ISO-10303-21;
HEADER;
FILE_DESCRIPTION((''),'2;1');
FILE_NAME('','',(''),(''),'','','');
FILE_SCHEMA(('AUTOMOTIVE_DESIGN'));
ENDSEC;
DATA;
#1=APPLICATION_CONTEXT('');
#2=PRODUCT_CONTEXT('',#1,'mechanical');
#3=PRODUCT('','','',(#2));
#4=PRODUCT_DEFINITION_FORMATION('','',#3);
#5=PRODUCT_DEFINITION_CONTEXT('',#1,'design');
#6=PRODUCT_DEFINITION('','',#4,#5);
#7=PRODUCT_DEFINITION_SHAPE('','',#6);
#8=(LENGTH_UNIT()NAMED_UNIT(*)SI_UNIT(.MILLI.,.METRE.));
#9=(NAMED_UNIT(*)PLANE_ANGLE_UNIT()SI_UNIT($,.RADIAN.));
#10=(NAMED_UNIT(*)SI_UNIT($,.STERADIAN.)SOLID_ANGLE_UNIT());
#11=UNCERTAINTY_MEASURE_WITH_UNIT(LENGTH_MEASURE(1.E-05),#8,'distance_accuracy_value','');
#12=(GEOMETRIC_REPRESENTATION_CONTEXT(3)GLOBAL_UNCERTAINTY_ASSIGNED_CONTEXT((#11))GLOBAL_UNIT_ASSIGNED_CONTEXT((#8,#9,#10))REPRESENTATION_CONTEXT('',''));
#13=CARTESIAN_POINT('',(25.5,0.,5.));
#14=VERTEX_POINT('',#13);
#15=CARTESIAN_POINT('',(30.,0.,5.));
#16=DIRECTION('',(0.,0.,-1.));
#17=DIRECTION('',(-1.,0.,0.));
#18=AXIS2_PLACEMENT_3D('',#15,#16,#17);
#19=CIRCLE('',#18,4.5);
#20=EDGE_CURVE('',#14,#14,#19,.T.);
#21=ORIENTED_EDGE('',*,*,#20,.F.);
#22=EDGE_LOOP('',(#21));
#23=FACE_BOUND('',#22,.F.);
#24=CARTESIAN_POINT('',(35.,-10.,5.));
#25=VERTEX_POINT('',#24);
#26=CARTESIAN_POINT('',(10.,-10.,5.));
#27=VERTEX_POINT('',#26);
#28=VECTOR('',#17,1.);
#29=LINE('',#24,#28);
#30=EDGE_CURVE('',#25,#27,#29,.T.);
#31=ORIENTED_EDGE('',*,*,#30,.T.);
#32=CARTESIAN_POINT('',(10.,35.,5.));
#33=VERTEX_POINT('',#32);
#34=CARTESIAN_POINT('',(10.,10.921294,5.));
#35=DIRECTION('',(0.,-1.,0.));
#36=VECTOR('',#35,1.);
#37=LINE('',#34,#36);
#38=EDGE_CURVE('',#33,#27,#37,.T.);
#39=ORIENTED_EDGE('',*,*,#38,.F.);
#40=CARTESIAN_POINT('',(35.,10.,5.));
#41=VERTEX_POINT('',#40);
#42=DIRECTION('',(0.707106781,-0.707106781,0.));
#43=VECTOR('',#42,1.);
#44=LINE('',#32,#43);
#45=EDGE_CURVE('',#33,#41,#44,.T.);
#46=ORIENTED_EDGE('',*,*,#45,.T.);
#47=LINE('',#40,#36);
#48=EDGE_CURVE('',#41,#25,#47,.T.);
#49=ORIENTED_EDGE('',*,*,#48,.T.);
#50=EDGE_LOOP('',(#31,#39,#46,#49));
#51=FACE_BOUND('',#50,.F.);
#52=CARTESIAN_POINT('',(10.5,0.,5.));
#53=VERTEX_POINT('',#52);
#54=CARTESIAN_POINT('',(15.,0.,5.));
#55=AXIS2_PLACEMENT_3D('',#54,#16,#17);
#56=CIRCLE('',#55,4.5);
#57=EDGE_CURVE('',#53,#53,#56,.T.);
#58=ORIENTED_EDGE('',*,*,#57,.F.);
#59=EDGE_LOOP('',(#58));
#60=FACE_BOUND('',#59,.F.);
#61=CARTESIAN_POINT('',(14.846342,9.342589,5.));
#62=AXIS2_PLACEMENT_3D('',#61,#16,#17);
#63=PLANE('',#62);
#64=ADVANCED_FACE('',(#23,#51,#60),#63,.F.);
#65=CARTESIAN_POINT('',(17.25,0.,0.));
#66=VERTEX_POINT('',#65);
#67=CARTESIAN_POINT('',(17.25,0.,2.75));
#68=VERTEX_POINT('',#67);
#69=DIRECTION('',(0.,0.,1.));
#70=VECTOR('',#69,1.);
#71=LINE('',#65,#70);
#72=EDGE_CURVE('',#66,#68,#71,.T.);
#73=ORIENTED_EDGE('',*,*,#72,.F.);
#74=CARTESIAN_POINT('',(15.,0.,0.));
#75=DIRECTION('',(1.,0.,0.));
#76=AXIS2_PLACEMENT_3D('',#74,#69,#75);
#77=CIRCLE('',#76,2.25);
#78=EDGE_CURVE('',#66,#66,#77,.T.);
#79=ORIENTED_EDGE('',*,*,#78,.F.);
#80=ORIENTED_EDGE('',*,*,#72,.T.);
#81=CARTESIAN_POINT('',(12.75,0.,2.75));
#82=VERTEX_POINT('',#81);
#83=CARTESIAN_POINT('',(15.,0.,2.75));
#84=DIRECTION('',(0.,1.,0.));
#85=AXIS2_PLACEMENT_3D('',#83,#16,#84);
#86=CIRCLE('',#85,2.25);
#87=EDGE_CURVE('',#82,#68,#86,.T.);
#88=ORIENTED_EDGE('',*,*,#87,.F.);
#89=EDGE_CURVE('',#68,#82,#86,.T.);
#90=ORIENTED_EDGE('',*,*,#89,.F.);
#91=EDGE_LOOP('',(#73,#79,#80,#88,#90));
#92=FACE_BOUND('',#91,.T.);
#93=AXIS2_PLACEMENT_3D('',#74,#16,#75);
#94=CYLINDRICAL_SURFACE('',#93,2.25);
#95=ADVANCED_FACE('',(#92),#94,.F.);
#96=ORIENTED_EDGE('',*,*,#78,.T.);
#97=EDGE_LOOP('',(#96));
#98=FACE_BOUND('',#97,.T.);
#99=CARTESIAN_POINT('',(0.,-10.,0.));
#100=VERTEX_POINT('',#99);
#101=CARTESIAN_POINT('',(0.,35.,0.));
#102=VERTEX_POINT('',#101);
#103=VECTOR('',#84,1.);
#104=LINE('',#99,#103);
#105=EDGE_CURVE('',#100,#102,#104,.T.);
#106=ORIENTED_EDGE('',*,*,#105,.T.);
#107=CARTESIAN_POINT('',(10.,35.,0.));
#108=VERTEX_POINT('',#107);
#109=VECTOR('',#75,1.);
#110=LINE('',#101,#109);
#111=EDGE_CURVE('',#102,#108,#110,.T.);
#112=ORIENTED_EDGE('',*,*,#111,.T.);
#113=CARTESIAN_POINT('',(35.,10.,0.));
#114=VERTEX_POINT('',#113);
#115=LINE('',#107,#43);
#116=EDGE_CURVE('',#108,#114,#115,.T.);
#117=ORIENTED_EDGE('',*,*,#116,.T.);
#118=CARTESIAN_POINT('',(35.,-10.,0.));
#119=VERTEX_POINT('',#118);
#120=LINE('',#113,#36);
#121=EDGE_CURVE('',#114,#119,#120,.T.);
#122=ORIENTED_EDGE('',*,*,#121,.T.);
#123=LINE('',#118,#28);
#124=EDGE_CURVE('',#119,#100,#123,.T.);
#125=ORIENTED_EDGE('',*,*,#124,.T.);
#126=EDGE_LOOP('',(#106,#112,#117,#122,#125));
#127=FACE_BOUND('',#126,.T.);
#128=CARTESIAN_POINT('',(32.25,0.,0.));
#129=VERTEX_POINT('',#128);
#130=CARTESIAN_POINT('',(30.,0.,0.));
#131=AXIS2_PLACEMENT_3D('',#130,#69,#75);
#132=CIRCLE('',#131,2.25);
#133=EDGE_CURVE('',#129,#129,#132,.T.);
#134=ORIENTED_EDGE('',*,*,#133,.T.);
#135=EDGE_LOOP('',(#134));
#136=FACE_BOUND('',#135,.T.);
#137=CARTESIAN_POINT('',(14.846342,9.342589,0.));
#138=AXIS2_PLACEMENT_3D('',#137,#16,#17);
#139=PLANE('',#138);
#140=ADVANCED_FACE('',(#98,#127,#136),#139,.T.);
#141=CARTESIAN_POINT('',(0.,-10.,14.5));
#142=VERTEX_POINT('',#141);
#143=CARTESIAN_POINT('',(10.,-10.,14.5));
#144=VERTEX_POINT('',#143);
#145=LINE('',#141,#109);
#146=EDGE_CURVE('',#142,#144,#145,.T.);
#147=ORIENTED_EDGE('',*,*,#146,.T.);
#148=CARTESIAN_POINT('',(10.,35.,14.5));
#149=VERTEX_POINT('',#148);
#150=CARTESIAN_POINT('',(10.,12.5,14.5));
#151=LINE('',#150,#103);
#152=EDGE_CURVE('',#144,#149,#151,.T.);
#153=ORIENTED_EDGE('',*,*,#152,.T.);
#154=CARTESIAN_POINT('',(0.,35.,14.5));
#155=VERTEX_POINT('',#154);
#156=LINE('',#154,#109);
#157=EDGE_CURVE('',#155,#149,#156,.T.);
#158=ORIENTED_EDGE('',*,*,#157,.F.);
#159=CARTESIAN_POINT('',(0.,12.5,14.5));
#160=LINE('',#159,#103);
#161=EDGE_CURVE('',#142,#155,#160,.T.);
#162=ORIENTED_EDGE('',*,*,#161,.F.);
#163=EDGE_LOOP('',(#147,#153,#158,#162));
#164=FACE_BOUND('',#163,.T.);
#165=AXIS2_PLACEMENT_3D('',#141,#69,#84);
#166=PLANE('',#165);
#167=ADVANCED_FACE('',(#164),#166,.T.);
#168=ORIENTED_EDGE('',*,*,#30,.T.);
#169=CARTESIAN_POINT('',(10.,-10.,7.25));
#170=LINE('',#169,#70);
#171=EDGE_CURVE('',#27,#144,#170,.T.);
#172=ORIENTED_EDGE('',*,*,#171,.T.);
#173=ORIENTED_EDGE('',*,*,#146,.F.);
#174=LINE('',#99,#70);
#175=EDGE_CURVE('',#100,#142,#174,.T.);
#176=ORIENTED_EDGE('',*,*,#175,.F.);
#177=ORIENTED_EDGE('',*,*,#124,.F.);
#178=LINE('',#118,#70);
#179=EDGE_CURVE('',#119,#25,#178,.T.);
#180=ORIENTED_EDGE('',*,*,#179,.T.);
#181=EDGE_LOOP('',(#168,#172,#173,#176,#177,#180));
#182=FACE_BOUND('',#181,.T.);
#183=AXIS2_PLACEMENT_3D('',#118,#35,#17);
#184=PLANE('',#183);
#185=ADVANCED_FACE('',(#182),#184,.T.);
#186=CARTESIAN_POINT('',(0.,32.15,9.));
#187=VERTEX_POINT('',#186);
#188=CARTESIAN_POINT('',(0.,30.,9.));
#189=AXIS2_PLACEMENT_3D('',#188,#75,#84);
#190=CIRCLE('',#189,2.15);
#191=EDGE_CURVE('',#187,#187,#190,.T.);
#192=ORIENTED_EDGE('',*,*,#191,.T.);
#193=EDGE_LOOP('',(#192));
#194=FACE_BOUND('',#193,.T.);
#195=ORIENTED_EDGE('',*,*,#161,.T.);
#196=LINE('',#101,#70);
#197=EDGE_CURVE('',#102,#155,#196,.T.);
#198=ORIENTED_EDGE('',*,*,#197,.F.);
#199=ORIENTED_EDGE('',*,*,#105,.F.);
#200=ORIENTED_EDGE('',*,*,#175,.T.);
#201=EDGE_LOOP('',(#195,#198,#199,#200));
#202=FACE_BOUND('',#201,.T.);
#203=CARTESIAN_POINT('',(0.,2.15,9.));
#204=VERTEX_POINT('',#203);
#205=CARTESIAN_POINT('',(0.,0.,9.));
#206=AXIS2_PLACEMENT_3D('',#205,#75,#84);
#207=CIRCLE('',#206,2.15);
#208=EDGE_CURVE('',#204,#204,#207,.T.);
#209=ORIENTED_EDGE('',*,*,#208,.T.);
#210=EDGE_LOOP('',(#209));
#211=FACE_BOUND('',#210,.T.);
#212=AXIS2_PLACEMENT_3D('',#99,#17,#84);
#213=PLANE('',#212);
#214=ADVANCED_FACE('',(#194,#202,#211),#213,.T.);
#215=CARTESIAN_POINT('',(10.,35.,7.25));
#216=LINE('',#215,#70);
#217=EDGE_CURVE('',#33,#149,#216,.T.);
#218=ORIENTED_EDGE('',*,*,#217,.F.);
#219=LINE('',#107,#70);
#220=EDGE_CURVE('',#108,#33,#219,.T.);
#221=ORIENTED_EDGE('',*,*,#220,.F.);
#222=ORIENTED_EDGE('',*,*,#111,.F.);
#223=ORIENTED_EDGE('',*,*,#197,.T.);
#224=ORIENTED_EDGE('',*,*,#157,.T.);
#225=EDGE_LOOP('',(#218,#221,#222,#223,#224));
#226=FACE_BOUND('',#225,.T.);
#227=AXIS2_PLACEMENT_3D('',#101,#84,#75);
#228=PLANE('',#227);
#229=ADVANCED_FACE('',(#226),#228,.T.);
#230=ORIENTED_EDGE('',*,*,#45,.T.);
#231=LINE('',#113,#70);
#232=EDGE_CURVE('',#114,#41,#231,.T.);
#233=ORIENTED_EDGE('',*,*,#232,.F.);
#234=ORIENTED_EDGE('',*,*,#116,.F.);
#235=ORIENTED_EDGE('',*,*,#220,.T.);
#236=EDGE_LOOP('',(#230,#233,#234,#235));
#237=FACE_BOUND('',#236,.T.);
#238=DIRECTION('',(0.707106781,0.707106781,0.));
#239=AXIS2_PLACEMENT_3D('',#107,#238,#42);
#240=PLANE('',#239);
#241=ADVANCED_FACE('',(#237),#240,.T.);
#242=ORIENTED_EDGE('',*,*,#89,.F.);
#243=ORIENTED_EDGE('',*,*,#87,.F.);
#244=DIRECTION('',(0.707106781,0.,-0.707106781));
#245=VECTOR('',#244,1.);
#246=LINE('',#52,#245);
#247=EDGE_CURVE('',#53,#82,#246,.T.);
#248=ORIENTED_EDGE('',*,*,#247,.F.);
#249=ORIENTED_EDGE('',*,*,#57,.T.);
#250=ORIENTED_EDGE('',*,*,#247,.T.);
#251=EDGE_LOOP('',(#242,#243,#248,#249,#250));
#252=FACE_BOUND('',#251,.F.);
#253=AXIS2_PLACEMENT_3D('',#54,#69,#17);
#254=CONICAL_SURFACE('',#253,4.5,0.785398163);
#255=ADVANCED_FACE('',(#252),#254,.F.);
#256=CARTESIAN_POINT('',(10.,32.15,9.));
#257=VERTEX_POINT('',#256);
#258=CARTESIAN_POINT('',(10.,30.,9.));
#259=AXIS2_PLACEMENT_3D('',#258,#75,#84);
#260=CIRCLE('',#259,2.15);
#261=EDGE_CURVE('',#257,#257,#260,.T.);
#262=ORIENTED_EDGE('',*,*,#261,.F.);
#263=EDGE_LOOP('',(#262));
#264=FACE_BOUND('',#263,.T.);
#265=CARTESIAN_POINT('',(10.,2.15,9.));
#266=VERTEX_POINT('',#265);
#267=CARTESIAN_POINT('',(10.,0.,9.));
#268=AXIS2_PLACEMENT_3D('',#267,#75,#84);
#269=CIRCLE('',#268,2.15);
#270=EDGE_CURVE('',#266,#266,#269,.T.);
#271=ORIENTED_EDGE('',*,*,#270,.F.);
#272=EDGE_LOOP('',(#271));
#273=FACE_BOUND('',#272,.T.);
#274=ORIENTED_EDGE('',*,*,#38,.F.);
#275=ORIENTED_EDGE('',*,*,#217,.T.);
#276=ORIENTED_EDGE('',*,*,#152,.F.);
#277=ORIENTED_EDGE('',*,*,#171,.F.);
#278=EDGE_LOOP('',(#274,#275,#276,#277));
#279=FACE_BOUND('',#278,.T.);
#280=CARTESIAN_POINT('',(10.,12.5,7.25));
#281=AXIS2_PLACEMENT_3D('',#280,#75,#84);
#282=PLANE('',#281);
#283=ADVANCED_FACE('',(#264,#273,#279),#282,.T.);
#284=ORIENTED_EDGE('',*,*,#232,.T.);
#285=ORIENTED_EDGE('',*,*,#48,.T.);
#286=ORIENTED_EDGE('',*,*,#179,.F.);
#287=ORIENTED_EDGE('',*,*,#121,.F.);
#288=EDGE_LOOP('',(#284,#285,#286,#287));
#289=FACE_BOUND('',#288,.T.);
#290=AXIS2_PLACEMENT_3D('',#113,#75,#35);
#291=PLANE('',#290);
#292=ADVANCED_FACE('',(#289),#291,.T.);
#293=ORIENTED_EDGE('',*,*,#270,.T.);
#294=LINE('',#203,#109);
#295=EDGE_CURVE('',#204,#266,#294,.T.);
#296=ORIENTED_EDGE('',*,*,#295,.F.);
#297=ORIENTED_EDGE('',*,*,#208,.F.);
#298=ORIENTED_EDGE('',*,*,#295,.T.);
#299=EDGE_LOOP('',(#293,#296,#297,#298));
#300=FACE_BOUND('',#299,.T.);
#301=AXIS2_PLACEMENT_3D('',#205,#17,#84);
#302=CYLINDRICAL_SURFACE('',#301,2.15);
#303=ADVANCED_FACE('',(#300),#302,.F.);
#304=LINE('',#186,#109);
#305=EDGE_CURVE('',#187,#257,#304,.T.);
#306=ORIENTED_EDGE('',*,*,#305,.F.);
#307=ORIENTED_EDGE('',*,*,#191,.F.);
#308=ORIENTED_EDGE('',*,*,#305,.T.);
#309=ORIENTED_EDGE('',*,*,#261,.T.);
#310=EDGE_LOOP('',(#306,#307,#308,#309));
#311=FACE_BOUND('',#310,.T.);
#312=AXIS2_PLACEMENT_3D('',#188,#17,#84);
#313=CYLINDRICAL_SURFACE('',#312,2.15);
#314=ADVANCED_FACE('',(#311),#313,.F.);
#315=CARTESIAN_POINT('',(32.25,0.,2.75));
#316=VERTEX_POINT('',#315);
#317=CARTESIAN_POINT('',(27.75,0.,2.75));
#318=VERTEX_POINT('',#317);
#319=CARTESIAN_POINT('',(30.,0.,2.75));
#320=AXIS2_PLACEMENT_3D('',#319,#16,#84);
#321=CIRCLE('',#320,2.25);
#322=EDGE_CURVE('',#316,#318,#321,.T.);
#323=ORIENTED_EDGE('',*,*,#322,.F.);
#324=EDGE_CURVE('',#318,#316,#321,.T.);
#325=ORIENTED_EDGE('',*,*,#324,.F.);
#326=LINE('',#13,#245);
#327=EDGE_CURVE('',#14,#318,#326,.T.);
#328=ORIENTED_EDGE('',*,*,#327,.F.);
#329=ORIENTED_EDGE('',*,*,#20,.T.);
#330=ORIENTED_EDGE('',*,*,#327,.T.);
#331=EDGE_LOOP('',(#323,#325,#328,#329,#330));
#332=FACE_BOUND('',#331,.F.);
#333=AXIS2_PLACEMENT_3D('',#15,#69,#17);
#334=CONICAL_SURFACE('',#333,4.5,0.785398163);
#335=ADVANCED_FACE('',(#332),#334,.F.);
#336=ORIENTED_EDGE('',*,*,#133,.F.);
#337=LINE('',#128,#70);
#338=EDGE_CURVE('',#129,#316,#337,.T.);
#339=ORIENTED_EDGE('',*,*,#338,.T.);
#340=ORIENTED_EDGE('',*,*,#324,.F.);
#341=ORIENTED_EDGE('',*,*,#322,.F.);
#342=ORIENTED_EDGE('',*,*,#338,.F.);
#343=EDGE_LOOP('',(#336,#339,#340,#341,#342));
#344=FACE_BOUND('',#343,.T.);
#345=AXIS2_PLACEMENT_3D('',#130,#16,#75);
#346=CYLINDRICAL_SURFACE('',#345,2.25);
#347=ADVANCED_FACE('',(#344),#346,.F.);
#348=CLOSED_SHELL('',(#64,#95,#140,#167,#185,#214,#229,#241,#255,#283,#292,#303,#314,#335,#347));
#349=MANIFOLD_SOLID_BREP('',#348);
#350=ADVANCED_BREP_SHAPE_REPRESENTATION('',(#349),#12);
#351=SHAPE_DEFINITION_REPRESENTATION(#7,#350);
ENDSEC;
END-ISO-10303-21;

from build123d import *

# Parameters (mm, degrees)
SKETCH033_R         = 2.25
PAD019_DEPTH        = 5
SKETCH035_W         = 45
SKETCH035_H         = 14.5
SKETCH035_R         = 2.15
PAD020_DEPTH        = 10
HOLE007_D           = 4.5
HOLE007_CSINK_D     = 9
HOLE007_CSINK_ANGLE = 90


with BuildPart() as part:
    # Sketch033 → Pad019 (new body)
    with BuildSketch(Plane.XY):
        Polygon((35, 10), (35, -10), (0, -10), (0, 35), (10, 35), align=None)
        with Locations((15, 0)):
            Circle(SKETCH033_R, mode=Mode.SUBTRACT)
        with Locations((30, 0)):
            Circle(SKETCH033_R, mode=Mode.SUBTRACT)
    extrude(amount=PAD019_DEPTH)

    # Sketch035 → Pad020 (join)
    with BuildSketch(Plane.YZ):
        with Locations((12.5, 7.25)):
            Rectangle(SKETCH035_W, SKETCH035_H)
        with Locations((0, 9)):
            Circle(SKETCH035_R, mode=Mode.SUBTRACT)
        with Locations((30, 9)):
            Circle(SKETCH035_R, mode=Mode.SUBTRACT)
    extrude(amount=PAD020_DEPTH)

    # Hole007 (through all)
    with Locations(Plane.XY.offset(5)):
        with Locations((15, 0), (30, 0)):
            CounterSinkHole(HOLE007_D / 2, HOLE007_CSINK_D / 2, counter_sink_angle=HOLE007_CSINK_ANGLE)


solid = part.part
